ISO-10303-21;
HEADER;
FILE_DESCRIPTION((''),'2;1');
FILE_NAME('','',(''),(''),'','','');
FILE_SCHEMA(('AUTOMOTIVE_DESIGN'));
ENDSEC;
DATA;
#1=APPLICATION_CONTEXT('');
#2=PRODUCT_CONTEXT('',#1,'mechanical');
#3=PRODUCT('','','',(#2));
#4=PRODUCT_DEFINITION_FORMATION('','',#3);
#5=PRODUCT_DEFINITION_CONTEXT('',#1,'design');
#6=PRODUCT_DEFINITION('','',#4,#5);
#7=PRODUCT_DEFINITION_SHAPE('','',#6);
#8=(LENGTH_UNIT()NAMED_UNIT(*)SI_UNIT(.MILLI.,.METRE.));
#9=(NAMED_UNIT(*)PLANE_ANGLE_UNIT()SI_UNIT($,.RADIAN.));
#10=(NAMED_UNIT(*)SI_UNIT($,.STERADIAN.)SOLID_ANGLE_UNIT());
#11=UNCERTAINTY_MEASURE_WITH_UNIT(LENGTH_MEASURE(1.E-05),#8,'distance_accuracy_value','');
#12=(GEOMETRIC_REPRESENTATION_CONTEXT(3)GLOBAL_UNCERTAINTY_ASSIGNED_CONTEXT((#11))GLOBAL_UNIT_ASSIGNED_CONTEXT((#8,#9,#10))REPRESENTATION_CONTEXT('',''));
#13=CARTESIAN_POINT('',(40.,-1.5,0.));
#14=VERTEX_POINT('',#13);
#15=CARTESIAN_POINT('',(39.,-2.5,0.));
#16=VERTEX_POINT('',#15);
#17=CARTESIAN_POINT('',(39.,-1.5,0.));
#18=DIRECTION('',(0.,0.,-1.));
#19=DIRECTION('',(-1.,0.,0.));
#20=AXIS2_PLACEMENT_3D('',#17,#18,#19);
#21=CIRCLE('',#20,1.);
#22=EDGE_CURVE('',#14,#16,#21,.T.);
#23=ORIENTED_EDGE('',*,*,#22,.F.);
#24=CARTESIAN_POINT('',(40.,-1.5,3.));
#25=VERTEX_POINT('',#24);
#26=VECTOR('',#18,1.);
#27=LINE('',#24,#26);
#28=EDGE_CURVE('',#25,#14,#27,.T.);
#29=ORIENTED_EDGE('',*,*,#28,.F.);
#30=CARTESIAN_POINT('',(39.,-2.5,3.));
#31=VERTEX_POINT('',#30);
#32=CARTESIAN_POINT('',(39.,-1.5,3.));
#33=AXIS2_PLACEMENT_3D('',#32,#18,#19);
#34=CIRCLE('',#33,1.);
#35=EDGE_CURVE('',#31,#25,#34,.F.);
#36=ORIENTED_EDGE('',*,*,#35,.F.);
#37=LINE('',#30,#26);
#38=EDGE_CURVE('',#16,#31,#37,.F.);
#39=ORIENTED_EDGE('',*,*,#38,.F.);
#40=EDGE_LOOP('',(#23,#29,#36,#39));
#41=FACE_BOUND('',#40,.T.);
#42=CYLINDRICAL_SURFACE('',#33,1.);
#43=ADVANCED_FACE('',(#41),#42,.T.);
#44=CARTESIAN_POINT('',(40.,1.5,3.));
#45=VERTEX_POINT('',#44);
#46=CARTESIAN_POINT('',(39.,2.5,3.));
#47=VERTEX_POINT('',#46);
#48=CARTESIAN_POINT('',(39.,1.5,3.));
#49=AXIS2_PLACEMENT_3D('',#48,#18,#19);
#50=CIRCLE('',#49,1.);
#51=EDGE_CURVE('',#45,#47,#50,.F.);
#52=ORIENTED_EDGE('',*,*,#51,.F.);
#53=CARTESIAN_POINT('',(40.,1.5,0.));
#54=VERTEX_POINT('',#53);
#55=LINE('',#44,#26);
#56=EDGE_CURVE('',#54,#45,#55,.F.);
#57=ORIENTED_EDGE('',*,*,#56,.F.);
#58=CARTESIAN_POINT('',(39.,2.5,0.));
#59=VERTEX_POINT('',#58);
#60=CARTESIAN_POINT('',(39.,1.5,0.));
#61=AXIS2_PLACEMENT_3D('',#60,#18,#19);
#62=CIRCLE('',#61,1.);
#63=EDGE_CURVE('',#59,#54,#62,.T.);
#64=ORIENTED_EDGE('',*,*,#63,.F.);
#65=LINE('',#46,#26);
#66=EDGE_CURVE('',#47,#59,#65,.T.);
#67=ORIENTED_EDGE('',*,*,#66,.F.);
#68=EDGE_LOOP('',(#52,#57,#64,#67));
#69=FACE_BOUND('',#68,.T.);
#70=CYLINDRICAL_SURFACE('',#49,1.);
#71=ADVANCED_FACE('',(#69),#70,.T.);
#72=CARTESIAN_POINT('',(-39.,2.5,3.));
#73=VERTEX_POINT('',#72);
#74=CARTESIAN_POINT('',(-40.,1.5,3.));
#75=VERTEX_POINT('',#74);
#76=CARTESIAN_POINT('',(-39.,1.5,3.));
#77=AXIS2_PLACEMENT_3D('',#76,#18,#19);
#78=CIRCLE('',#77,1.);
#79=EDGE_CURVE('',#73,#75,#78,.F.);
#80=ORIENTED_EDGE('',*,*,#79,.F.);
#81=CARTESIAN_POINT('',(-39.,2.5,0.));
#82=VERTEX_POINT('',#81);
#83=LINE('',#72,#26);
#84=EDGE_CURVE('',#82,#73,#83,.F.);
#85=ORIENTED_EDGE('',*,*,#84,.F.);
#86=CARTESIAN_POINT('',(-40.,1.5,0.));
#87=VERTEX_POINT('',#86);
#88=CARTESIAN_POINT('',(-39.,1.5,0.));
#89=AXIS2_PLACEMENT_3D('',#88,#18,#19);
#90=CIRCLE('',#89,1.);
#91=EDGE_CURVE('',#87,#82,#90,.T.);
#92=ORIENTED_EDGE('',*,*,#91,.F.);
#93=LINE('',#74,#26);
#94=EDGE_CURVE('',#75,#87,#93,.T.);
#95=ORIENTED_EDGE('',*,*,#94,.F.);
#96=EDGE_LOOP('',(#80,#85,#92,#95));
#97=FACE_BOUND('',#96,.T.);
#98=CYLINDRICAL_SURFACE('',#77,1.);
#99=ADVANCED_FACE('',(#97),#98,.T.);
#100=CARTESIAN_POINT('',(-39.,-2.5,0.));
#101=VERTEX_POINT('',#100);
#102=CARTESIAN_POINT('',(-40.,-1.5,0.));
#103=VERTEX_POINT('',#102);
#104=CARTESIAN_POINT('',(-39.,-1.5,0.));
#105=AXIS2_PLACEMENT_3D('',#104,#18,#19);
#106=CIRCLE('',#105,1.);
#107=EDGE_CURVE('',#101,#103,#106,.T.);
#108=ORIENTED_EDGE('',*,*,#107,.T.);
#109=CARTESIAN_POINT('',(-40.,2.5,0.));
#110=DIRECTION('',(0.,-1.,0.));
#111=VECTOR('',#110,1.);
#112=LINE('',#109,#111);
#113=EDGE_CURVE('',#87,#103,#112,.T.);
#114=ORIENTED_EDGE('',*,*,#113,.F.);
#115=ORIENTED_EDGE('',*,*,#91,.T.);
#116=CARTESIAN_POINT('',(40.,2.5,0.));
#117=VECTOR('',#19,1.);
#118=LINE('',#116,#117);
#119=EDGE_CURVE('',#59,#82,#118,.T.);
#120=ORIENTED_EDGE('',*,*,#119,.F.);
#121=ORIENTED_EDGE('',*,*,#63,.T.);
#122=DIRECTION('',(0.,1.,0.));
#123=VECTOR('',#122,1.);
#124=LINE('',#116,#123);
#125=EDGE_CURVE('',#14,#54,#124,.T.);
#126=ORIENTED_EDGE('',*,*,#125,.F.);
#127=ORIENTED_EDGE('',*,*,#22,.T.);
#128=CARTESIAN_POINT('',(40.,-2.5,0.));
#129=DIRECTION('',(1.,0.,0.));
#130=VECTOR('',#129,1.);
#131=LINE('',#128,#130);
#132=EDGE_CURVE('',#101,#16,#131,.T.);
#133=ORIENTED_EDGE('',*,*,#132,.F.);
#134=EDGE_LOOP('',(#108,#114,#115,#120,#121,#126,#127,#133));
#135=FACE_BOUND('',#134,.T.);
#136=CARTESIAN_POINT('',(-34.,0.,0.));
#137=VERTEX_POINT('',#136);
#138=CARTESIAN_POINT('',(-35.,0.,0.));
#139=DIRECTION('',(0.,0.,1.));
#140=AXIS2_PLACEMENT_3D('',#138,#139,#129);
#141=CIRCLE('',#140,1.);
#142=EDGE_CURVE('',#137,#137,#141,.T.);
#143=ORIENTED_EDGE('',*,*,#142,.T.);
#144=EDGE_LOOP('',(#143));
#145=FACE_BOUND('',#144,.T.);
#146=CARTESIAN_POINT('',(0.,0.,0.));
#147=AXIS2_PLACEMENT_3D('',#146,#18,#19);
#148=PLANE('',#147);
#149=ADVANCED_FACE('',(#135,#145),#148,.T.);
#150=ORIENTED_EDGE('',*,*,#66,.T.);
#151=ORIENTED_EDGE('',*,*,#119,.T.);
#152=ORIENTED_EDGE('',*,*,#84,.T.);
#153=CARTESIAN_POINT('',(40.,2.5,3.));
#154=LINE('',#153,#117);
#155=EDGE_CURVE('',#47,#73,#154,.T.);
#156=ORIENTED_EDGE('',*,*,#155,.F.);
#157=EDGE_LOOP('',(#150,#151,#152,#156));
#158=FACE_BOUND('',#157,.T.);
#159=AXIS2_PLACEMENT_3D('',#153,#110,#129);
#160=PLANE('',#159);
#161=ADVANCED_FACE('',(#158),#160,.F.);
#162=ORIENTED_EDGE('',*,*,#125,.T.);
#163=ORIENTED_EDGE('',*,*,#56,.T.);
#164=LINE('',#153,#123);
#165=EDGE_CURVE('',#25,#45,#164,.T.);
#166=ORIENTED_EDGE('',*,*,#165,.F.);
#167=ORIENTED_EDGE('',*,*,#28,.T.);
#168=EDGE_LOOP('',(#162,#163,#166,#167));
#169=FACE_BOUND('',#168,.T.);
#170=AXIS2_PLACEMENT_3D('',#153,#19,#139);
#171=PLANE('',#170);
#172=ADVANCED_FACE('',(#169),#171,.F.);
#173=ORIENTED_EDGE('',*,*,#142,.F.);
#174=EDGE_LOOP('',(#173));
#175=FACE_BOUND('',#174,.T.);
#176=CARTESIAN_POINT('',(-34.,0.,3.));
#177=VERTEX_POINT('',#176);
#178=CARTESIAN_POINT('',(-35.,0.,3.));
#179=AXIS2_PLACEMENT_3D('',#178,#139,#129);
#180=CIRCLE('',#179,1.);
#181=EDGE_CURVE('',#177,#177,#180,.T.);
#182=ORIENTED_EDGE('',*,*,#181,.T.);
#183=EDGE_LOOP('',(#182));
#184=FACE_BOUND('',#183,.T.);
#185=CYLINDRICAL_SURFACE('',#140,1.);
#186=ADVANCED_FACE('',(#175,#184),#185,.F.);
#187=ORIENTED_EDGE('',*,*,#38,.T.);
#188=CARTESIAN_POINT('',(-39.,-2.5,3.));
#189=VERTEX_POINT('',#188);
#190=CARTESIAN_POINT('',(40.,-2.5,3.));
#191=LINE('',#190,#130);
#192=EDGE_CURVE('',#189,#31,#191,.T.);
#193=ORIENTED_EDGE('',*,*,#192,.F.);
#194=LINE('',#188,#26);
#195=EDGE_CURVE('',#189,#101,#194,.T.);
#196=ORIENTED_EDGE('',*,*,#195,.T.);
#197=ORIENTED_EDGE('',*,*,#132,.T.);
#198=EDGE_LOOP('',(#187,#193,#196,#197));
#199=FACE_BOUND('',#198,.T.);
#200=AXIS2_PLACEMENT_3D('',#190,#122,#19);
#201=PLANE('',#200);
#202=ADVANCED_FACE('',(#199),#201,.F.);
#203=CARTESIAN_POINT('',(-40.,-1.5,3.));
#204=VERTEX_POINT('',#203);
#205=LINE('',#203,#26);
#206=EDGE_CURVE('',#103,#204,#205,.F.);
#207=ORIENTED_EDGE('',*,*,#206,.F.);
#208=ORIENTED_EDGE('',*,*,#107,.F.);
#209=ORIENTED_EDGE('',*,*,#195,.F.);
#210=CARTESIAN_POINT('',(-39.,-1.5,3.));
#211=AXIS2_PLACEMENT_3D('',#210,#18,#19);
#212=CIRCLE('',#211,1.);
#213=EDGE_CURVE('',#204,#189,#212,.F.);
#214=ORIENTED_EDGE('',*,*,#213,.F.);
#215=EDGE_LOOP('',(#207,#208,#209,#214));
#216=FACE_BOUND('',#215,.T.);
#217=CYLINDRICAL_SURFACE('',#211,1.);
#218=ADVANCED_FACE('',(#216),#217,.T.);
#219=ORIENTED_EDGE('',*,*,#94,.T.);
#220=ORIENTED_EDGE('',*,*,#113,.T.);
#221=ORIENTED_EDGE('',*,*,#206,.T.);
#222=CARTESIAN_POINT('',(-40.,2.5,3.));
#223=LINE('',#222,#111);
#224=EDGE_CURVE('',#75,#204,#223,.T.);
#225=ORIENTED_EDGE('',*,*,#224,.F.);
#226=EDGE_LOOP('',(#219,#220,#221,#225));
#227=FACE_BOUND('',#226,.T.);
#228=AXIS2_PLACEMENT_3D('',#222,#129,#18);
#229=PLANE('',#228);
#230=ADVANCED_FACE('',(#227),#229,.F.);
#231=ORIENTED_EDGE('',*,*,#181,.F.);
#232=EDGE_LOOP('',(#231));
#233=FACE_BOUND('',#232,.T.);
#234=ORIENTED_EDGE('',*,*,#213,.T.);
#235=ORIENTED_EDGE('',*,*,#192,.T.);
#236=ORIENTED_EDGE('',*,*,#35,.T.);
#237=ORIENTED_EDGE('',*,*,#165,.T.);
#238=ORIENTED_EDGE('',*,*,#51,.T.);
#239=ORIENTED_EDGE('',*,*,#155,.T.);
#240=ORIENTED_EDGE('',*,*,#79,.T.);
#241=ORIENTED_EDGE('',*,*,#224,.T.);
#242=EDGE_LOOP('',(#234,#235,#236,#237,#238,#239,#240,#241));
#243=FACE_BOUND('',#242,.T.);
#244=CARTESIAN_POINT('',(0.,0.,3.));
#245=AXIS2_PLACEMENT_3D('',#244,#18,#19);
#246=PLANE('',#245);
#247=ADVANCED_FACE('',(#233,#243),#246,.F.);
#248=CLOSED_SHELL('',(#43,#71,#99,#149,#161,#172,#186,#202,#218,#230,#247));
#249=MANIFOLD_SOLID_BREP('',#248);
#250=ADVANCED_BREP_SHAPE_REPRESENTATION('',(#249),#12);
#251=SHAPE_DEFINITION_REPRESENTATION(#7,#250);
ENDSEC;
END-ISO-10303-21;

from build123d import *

# Parameters (mm, degrees)
SKETCH1_W           = 80
SKETCH1_H           = 5
BOSS_EXTRUDE1_DEPTH = 3
SKETCH2_R           = 1
CUT_EXTRUDE1_DEPTH  = 41.190172928
FILLET1_R           = 1


with BuildPart() as part:
    # Sketch1 → Boss-Extrude1 (new body)
    with BuildSketch(Plane.XY):
        Rectangle(SKETCH1_W, SKETCH1_H)
    extrude(amount=BOSS_EXTRUDE1_DEPTH)

    # Sketch2 → Cut-Extrude1 (cut, through all)
    with BuildSketch(Plane.XY.offset(3)):
        with Locations((-35, 0)):
            Circle(SKETCH2_R)
    extrude(amount=-CUT_EXTRUDE1_DEPTH, mode=Mode.SUBTRACT)

    # Fillet1
    fillet1_edges = [part.edges().sort_by_distance(p)[0] for p in [
        (-40, 2.5, 1.5),
        (40, 2.5, 1.5),
        (40, -2.5, 1.5),
        (-40, -2.5, 1.5),
    ]]
    fillet(fillet1_edges, radius=FILLET1_R)


solid = part.part
